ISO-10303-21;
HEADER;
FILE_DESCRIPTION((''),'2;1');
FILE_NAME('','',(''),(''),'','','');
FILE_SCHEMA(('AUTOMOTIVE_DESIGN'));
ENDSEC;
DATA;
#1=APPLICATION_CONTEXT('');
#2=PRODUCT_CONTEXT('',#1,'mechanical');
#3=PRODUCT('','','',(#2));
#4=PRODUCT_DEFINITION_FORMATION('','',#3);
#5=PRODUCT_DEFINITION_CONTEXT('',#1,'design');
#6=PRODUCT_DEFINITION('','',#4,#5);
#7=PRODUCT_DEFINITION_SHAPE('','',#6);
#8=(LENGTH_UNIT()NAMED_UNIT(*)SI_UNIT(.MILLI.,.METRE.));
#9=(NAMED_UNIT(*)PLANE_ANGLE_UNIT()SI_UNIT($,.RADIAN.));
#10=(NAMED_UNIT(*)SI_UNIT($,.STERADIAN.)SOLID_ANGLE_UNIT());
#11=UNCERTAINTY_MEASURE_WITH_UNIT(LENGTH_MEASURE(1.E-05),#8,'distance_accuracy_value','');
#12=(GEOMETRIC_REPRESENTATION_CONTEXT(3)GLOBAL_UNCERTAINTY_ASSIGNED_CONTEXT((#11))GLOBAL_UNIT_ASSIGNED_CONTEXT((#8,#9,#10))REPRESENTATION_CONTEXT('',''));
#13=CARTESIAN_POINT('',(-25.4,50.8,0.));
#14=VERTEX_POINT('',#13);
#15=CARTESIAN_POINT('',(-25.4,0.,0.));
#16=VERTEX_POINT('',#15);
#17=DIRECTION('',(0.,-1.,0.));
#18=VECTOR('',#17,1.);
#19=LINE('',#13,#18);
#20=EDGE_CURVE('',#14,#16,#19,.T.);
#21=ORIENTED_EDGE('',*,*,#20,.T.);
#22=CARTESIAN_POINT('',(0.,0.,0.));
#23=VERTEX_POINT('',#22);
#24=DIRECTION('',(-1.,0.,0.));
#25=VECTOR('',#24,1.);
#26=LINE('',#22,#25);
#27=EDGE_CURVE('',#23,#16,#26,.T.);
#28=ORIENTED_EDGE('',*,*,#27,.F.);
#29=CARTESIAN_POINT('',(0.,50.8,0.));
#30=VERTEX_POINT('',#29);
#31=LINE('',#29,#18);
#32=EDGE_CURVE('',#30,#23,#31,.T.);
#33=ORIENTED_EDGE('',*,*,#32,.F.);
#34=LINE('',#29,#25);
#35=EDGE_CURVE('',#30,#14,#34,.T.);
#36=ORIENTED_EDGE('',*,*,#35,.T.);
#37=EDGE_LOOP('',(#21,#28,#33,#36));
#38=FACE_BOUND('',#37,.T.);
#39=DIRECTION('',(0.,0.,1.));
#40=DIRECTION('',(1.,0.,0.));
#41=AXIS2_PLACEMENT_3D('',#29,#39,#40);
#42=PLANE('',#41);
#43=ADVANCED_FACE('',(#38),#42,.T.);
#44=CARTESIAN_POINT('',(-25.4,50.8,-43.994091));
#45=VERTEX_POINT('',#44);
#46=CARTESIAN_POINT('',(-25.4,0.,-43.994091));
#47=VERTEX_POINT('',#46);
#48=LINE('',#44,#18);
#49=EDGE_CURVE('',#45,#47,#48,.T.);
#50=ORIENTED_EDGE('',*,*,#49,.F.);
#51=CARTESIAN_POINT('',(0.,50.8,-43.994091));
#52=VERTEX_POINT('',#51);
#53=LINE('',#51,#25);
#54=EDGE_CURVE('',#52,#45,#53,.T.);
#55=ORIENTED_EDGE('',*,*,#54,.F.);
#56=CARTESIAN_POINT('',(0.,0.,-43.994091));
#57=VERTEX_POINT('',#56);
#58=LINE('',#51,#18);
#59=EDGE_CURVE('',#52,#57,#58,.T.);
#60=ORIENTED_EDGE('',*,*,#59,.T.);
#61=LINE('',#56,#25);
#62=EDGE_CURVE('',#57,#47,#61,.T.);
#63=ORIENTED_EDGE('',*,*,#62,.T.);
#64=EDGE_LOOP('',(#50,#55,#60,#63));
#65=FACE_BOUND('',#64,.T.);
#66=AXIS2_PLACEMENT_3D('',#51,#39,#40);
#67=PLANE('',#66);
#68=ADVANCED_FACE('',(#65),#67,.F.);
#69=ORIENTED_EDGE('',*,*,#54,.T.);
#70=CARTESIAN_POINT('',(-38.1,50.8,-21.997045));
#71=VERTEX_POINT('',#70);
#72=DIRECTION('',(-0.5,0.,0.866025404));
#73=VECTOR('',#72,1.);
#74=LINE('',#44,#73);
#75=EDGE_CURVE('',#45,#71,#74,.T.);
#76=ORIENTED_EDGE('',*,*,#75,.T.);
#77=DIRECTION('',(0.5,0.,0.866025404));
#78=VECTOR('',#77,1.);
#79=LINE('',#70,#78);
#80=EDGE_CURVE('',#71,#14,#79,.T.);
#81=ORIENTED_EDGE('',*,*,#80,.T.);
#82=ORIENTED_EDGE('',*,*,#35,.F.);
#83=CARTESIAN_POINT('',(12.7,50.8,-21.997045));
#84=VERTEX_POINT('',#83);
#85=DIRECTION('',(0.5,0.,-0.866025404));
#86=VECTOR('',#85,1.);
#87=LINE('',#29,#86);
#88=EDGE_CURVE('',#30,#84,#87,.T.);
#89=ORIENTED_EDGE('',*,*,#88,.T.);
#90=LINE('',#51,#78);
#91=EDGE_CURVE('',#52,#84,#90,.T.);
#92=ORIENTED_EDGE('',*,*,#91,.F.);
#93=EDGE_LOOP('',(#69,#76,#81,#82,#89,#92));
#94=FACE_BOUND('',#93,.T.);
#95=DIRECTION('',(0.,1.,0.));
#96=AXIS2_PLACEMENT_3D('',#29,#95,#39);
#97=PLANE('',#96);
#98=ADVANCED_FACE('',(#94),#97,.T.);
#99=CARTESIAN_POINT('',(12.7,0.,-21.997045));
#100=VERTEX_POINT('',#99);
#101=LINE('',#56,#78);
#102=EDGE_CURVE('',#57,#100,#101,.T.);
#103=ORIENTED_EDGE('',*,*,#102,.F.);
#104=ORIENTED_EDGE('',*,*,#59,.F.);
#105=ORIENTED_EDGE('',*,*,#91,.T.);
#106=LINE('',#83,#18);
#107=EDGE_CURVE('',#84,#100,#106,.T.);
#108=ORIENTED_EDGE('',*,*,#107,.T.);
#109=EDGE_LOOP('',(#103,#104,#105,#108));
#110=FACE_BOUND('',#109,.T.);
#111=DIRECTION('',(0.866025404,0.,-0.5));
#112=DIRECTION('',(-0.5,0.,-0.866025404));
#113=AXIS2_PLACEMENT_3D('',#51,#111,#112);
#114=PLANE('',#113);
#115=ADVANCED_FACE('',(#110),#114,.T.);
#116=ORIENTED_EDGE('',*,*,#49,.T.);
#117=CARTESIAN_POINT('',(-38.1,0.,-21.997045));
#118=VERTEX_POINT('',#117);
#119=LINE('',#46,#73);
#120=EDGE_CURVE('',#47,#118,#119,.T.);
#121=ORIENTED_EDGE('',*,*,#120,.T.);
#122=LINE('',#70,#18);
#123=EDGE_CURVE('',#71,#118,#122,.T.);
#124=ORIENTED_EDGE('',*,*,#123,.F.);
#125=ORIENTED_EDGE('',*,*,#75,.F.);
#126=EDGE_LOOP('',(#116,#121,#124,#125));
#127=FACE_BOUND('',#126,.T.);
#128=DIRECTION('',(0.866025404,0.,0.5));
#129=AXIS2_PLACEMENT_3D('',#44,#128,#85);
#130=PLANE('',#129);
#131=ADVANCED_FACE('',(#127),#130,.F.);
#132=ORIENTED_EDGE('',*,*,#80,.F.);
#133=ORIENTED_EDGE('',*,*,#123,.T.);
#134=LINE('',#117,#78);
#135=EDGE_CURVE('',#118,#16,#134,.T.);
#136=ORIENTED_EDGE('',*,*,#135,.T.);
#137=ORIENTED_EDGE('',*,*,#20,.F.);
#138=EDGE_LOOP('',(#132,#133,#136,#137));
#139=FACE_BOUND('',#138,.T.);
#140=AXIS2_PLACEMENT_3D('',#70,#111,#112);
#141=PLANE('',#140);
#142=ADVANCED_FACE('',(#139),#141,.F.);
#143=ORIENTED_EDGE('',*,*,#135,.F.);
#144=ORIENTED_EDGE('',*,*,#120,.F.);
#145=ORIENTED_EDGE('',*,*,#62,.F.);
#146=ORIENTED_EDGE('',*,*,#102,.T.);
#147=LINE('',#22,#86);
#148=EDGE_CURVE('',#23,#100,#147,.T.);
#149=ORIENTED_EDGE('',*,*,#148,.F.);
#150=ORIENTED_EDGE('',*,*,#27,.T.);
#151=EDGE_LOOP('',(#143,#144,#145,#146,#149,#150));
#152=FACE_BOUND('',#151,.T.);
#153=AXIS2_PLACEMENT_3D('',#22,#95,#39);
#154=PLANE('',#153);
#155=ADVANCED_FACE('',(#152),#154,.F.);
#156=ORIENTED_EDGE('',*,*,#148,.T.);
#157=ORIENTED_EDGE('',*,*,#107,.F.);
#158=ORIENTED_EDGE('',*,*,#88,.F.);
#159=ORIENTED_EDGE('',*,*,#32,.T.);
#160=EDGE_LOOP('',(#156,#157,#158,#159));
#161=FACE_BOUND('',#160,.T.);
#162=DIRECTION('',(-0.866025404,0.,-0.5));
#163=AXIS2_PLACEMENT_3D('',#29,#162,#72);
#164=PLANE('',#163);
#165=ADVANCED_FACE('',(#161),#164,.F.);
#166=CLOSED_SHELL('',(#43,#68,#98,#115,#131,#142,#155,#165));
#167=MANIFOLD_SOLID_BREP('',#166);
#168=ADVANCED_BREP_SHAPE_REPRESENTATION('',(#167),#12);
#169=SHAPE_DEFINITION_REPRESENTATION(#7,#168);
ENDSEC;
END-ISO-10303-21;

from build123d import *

# Parameters (mm, degrees)
BOSS_EXTRUDE1_DEPTH = 50.8


with BuildPart() as part:
    # Sketch1 → Boss-Extrude1 (new body)
    with BuildSketch(Plane(origin=(0, 0, 0), x_dir=(1, 0, 0), z_dir=(0, 1, 0))):
        Polygon((0, 0), (-25.4, 0), (-38.1, 21.997045256), (-25.4, 43.994090512), (0, 43.994090512), (12.7, 21.997045256), align=None)
    extrude(amount=BOSS_EXTRUDE1_DEPTH)


solid = part.part
